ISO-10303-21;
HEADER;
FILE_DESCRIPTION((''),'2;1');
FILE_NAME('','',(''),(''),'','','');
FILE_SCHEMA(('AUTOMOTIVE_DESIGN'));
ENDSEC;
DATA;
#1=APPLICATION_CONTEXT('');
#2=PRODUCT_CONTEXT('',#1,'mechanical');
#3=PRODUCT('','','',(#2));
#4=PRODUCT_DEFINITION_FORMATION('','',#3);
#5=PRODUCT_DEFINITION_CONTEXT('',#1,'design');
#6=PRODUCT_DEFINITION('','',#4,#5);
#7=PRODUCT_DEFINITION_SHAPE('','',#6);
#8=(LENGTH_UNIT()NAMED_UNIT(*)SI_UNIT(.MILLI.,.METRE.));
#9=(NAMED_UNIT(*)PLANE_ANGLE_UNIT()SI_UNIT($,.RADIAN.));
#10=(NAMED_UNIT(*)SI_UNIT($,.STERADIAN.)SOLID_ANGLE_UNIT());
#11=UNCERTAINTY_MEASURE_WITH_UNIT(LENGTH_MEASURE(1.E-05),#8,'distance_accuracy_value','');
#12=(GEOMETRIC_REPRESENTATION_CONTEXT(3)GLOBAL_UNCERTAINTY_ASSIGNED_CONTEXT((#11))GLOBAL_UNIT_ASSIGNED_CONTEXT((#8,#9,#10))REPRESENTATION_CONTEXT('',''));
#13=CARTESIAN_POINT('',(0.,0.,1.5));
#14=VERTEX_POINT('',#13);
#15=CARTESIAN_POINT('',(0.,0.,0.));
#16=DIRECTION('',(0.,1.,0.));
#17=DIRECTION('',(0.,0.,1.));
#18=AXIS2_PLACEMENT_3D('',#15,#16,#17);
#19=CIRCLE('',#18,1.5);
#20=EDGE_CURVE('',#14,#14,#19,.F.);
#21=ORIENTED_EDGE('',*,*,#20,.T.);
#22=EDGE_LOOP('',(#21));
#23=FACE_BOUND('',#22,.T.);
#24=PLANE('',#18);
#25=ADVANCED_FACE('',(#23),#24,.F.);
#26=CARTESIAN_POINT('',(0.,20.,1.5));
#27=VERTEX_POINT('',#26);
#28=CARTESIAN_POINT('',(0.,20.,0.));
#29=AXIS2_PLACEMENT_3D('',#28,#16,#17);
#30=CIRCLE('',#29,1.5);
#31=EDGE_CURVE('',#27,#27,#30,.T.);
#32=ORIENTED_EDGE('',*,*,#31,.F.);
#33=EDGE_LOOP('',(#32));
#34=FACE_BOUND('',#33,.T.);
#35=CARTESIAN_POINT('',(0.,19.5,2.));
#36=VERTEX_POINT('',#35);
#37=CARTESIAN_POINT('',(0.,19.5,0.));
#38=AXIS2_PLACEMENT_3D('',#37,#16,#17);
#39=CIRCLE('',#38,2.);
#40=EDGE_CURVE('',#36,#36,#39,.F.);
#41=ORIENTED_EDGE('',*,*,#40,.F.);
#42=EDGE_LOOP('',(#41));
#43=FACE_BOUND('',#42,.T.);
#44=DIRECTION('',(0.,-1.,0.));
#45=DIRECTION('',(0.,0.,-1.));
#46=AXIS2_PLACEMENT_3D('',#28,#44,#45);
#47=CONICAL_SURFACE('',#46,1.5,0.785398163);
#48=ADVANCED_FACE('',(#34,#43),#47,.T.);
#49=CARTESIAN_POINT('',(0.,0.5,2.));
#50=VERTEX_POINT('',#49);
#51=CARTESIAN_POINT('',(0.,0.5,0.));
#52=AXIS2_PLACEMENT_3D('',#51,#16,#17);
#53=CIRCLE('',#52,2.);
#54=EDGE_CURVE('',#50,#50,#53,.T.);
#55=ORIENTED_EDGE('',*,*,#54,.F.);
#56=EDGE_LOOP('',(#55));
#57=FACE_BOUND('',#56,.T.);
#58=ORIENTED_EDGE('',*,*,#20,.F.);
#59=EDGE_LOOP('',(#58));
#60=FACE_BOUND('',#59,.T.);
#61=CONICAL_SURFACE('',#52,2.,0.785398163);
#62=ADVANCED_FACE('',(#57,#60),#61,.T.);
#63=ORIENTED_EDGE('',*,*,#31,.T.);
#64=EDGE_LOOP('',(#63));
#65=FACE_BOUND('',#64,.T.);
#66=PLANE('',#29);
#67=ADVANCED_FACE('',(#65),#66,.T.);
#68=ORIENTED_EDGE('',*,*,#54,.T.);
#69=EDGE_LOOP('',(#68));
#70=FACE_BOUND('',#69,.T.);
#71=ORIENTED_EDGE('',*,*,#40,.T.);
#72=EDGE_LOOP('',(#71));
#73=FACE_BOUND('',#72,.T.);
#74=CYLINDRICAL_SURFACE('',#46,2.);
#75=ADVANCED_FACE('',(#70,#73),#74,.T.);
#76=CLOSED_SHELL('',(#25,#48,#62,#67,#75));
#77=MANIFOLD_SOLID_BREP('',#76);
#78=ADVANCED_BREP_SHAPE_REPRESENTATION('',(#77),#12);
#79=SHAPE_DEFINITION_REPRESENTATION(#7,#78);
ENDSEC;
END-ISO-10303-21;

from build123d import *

# Parameters (mm, degrees)
SKETCH1_R           = 2
BOSS_EXTRUDE1_DEPTH = 20
CHAMFER1_SIZE       = 0.5
CHAMFER2_SIZE       = 0.5


with BuildPart() as part:
    # Sketch1 → Boss-Extrude1 (new body)
    with BuildSketch(Plane(origin=(0, 0, 0), x_dir=(1, 0, 0), z_dir=(0, 1, 0))):
        with Locations(Location((0, 0, 0), (0, 0, 270))):
            Circle(SKETCH1_R)
    extrude(amount=BOSS_EXTRUDE1_DEPTH)

    # Chamfer1
    chamfer1_edges = [part.edges().sort_by_distance(p)[0] for p in [
        (0, 20, -2),
    ]]
    chamfer(chamfer1_edges, length=CHAMFER1_SIZE)

    # Chamfer2
    chamfer2_edges = [part.edges().sort_by_distance(p)[0] for p in [
        (0, 0, -2),
    ]]
    chamfer(chamfer2_edges, length=CHAMFER2_SIZE)


solid = part.part
